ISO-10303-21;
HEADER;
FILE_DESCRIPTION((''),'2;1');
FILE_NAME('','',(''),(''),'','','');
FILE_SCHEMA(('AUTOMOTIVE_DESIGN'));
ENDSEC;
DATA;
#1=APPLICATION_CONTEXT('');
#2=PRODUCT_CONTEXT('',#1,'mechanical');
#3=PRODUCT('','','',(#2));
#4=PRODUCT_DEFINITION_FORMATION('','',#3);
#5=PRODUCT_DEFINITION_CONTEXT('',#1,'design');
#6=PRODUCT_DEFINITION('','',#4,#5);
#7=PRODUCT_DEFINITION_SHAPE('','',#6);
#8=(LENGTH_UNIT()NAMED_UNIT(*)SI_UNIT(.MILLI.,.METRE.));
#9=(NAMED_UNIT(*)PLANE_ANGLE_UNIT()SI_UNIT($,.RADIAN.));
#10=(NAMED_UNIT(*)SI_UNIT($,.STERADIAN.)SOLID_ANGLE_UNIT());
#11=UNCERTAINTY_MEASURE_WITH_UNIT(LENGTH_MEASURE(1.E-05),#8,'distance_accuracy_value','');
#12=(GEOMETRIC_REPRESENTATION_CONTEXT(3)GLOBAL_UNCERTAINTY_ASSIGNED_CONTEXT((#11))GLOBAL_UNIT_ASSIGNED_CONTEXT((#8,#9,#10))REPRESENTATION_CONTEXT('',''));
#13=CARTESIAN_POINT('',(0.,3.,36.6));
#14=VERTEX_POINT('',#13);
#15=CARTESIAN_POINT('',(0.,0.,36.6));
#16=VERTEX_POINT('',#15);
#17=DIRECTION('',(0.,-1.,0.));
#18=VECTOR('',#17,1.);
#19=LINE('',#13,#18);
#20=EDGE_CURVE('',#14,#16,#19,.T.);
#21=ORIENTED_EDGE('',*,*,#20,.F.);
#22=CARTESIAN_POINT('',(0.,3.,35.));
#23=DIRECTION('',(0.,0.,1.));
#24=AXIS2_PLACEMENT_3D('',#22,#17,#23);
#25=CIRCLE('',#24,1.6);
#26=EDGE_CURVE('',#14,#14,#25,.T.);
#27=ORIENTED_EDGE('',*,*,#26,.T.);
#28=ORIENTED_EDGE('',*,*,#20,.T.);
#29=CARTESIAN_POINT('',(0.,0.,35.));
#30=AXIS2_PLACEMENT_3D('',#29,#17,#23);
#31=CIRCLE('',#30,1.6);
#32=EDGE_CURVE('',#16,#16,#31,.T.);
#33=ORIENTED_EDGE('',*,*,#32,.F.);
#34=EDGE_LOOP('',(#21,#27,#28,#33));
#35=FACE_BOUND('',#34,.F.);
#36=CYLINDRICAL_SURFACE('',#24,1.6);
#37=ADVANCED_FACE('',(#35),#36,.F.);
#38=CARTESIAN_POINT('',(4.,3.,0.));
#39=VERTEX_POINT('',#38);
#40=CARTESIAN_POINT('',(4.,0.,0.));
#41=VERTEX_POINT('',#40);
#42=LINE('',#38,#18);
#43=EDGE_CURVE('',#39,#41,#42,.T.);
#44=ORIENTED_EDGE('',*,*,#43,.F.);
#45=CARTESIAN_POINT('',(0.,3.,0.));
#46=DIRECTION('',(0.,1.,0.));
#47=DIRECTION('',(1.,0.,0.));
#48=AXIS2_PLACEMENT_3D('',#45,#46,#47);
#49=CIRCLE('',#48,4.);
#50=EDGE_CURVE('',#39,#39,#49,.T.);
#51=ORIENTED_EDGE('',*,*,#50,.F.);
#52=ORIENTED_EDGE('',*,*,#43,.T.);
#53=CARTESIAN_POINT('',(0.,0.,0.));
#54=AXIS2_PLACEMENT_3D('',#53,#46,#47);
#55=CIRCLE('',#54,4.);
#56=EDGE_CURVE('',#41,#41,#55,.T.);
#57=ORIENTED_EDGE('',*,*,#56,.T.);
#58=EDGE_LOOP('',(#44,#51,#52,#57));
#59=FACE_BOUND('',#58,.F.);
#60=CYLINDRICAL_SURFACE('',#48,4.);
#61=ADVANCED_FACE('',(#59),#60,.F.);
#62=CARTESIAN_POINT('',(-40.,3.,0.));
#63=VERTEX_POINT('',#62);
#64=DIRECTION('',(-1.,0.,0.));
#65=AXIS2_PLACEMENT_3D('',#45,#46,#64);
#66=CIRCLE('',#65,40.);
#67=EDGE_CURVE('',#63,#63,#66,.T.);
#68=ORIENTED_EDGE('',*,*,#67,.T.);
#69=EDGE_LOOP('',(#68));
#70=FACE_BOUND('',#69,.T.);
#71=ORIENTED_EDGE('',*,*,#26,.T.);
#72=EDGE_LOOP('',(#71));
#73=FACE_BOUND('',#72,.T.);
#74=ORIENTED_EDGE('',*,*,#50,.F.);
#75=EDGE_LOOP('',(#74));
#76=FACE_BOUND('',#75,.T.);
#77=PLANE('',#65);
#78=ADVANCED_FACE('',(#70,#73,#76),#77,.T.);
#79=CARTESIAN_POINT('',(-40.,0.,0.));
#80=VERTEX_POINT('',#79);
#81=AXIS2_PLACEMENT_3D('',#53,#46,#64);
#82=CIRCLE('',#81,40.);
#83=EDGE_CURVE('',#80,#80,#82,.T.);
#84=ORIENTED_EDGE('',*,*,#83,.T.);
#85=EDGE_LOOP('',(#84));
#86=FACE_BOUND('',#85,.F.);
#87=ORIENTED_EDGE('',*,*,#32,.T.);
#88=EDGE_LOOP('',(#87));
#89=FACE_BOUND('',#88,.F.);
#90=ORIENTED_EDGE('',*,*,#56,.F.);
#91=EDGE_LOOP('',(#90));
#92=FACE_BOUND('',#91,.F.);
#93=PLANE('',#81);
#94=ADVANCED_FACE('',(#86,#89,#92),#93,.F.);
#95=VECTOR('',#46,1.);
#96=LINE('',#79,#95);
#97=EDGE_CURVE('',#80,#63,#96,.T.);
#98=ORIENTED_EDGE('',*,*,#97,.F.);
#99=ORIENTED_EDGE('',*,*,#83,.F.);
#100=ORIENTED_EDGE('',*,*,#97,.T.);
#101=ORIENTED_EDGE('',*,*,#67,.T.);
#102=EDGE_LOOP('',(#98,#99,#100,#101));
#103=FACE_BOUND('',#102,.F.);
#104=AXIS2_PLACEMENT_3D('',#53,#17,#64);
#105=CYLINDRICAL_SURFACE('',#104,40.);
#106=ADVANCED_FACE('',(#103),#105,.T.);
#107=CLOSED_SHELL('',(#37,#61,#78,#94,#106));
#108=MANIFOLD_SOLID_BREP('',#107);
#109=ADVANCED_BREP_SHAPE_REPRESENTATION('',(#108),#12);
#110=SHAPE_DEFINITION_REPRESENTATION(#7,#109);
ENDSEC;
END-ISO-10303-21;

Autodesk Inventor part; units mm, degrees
ref_plane "YZ Plane" through (0, 0, 0) normal (1, 0, 0) x (0, 1, 0)
ref_plane "XZ Plane" through (0, 0, 0) normal (0, 1, 0) x (-1, 0, 0)
ref_plane "XY Plane" through (0, 0, 0) normal (0, 0, 1) x (1, 0, 0)
sketch "スケッチ1" plane through (0, 0, 0) normal (0, 1, 0) x (-1, 0, 0)
  circle A0 centre (0, 0) radius 40
  dimension "d0" = 80
extrude "押し出し1" add sketch "スケッチ1" along normal blind 3
sketch "スケッチ2" plane through (0, 3, 0) normal (0, 1, 0) x (1, 0, 0)
  circle A0 centre (0, 0) radius 4
  dimension "d3" = 8
extrude "押し出し2" cut sketch "スケッチ2" against normal blind 3
sketch "スケッチ3" plane through (0, 3, 0) normal (0, 1, 0) x (1, 0, 0)
  circle A0 centre (0, -35) radius 1.6
  circle A1 centre (0, 0) radius 40 projected
  dimension "d6" = 3.2
  dimension "d7" = 35
hole "穴1" at (0, 3, 35) direction (0, -1, 0) diameter 3.2 end through all
properties part number "NHK_t0_2"
